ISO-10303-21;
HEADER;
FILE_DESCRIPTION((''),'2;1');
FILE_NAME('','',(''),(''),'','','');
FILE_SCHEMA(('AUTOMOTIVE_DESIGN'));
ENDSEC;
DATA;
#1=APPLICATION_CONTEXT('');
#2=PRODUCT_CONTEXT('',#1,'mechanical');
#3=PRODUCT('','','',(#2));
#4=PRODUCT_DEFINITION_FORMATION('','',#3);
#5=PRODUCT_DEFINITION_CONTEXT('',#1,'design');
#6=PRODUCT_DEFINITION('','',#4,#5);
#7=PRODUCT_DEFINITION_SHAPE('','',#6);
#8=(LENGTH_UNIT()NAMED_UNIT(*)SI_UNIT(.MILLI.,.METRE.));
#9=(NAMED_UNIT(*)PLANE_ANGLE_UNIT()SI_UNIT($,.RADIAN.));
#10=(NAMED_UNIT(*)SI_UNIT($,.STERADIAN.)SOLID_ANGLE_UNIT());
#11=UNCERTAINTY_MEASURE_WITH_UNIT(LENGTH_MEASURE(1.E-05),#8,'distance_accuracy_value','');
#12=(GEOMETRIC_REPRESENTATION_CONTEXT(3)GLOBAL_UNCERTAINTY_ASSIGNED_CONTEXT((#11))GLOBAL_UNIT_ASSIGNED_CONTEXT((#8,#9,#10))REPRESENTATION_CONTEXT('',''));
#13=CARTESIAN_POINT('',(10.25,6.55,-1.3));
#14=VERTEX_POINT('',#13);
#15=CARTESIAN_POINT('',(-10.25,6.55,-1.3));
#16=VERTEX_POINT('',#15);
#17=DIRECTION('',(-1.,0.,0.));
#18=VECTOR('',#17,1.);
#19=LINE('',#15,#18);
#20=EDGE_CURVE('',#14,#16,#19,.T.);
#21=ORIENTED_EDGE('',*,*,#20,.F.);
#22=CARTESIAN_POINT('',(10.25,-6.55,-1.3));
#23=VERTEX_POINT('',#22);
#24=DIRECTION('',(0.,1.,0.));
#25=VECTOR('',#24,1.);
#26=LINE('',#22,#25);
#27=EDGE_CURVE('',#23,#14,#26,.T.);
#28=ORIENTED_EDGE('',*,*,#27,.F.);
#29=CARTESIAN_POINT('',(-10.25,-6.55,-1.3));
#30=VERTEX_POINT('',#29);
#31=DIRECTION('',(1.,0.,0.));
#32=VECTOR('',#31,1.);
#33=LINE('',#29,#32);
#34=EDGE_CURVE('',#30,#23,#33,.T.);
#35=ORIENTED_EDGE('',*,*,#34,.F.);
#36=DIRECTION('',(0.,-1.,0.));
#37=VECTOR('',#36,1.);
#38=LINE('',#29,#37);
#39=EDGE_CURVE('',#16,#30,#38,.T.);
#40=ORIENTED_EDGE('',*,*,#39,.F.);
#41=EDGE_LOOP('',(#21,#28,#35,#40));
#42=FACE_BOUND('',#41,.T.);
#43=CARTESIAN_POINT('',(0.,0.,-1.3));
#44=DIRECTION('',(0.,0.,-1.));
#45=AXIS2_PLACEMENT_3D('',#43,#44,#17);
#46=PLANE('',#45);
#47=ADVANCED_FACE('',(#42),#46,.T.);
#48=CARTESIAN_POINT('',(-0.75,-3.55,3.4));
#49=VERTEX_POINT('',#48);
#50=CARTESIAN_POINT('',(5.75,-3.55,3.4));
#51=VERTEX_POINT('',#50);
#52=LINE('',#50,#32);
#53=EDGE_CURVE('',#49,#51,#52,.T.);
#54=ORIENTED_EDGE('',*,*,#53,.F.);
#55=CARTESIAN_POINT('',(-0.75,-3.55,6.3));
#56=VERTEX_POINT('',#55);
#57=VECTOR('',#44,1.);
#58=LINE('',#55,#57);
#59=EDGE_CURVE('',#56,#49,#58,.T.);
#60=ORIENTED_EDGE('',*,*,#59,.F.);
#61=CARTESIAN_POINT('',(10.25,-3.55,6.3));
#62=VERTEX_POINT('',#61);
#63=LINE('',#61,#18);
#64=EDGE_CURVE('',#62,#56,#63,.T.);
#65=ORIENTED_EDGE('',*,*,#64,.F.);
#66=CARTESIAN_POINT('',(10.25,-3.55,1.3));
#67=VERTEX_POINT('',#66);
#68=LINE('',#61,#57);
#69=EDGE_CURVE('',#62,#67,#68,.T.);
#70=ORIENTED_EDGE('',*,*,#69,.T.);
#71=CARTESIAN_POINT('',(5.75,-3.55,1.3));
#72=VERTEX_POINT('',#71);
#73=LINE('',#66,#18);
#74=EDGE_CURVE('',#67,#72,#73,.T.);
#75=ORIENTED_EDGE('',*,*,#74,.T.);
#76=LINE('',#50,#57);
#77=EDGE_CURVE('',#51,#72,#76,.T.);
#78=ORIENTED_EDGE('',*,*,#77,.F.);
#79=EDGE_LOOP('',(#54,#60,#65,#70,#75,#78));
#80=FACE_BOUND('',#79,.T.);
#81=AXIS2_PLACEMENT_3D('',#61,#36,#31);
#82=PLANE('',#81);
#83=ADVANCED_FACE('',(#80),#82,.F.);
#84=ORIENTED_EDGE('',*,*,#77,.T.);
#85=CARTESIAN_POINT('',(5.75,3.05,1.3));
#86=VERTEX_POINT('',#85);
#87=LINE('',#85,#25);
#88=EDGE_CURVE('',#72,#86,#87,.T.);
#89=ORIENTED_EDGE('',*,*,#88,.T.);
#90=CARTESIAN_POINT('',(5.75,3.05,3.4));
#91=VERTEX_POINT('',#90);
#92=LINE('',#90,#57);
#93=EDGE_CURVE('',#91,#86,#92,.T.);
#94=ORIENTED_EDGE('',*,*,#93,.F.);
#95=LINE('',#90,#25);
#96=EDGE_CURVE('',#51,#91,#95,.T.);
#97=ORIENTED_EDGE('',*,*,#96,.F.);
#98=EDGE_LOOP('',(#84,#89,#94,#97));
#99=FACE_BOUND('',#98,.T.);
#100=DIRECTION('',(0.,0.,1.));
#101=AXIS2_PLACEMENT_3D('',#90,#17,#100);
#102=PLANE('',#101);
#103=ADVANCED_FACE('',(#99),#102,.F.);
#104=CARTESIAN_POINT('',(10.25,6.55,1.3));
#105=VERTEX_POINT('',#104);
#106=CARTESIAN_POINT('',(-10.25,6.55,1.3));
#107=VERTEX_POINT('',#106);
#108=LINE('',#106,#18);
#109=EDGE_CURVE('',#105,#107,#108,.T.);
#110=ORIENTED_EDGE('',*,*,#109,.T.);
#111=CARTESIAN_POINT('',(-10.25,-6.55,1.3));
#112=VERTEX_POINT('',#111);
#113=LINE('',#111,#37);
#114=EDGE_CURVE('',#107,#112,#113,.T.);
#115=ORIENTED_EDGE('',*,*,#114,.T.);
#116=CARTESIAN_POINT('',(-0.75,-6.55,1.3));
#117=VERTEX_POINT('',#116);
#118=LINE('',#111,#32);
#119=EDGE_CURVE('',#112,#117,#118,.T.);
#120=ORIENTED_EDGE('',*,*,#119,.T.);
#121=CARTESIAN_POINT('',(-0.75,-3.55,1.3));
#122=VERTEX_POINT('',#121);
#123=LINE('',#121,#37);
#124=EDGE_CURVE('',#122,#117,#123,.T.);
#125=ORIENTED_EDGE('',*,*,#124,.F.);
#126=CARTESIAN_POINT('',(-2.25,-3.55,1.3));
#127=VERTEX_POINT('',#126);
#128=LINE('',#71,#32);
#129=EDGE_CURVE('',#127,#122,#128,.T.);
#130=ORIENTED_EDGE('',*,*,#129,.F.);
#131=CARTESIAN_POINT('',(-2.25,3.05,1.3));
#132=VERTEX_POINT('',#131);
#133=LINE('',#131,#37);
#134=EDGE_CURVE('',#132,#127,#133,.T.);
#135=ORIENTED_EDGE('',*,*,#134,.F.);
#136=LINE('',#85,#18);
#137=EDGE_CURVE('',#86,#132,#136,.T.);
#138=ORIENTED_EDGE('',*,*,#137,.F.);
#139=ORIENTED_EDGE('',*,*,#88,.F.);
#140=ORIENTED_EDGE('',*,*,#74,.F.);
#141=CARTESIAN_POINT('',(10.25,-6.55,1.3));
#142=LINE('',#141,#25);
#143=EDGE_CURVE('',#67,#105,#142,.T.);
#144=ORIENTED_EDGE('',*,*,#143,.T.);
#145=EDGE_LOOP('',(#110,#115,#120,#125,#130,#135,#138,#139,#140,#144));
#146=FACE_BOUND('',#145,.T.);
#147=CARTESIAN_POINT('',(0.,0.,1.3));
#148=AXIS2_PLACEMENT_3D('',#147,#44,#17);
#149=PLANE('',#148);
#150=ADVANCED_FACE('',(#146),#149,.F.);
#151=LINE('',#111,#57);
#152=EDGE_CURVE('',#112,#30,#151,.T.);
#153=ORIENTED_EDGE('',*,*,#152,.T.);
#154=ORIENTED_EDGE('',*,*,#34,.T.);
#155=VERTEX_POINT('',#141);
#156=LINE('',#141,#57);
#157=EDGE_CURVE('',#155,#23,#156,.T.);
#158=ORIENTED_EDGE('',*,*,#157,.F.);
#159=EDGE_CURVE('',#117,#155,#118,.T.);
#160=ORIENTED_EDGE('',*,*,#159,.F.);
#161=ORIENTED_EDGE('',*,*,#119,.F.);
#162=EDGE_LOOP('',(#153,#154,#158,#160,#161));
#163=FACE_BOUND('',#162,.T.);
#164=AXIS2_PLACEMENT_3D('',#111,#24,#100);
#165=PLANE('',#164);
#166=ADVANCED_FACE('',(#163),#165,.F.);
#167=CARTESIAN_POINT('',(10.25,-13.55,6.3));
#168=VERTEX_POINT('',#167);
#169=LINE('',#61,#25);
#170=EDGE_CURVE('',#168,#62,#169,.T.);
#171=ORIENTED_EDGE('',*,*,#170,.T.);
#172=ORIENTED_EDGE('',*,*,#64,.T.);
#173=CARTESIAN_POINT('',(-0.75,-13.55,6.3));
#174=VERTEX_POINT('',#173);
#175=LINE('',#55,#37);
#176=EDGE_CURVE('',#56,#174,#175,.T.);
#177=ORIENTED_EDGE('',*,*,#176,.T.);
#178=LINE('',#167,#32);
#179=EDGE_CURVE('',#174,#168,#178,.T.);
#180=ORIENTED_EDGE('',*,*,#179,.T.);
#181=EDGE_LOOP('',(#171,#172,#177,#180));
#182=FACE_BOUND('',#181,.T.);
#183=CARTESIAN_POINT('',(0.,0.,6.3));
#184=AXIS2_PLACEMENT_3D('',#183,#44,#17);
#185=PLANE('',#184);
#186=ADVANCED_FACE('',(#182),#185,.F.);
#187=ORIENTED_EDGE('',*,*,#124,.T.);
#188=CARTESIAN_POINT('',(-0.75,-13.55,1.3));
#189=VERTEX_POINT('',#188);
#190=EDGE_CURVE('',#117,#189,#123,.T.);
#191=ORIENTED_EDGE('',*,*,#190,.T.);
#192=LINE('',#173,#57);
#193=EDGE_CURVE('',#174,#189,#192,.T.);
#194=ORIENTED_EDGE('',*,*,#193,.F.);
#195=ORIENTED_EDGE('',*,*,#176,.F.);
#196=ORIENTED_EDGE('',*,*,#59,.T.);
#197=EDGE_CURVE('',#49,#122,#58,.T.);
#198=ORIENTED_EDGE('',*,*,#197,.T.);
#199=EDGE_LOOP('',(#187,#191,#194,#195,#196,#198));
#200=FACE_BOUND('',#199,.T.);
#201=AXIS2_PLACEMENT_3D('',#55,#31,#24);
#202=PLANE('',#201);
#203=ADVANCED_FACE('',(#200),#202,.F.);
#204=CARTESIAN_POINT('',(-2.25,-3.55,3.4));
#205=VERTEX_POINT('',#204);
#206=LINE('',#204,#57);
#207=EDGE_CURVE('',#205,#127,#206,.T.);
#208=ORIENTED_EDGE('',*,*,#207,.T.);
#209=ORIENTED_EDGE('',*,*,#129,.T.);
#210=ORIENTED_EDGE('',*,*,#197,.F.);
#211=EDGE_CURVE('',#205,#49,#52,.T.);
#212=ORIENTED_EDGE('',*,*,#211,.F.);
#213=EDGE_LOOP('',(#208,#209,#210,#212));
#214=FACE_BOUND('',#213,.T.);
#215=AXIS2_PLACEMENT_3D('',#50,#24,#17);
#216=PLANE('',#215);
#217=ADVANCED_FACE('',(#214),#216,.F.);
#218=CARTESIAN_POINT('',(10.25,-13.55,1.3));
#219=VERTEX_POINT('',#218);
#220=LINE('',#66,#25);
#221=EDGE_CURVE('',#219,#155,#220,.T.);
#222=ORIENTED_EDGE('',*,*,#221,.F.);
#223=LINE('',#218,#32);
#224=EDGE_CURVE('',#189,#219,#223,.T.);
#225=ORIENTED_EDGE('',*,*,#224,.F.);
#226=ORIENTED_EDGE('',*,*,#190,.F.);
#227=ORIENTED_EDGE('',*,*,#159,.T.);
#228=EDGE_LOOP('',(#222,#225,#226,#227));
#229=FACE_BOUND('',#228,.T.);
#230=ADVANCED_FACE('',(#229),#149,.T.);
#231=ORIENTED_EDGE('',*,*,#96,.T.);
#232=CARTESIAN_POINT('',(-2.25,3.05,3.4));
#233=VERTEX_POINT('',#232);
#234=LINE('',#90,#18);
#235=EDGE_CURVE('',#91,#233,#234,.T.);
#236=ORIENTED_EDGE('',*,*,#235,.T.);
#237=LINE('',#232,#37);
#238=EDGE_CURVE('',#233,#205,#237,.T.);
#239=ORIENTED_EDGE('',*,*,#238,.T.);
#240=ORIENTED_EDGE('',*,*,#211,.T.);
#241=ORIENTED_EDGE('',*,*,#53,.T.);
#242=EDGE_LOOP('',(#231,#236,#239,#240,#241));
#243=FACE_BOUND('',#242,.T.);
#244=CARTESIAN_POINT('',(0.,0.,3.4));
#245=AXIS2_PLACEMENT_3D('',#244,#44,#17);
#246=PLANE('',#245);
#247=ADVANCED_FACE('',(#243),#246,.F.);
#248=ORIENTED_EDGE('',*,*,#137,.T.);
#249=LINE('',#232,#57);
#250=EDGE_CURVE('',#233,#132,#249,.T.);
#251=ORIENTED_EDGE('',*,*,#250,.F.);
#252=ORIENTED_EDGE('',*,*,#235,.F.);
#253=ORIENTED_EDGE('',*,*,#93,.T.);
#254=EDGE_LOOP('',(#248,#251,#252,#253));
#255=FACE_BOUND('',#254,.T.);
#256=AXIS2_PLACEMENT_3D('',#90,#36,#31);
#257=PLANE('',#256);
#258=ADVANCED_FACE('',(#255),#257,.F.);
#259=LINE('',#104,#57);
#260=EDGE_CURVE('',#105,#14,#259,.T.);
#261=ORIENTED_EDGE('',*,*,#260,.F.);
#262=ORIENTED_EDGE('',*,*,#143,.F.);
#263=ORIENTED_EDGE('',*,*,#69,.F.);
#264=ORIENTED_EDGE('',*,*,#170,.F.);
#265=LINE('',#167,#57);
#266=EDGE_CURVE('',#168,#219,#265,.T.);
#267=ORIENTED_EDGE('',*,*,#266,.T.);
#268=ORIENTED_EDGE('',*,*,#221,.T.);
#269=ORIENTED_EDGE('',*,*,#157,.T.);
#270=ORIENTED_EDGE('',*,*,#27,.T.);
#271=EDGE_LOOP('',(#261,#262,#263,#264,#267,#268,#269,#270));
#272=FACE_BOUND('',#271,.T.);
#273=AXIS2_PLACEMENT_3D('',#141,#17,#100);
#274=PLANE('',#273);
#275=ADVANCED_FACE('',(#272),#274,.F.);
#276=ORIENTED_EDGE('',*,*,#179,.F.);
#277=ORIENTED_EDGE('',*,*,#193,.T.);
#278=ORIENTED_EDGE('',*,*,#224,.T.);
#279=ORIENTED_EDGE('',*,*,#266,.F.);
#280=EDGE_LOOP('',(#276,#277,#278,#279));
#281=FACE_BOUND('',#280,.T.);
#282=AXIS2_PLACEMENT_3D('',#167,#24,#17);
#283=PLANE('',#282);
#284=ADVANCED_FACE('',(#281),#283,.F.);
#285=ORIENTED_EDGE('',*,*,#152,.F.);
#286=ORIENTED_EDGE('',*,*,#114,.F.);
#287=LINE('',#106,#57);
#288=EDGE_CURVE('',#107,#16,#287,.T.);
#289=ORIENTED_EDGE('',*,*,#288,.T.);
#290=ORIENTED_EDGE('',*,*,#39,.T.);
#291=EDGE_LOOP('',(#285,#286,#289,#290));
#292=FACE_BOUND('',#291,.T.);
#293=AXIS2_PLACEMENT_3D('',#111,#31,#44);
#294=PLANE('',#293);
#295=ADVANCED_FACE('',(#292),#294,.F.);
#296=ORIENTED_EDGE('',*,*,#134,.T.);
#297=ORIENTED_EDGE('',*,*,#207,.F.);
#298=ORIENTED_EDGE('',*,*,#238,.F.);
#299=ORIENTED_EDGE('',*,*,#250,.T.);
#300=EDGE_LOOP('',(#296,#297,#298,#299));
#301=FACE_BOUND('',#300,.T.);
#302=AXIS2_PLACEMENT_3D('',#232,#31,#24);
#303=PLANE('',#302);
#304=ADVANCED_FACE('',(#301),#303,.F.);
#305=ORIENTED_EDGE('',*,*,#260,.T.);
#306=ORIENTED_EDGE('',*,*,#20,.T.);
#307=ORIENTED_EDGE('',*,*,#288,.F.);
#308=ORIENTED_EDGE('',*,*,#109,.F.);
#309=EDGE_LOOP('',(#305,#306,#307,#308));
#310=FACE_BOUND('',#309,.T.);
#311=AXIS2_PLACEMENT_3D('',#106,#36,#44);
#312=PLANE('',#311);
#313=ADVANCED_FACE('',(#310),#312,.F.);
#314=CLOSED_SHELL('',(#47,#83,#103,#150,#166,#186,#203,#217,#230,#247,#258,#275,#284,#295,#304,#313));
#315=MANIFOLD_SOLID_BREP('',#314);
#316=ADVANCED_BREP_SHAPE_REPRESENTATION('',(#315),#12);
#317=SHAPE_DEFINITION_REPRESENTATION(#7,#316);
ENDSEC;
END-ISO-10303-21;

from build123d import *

# Parameters (mm, degrees)
PLACAESBOCO_W      = 20.5
PLACAESBOCO_H      = 13.1
PLACA_DEPTH        = 1.3
CONECTORESBOCO_W   = 11
CONECTORESBOCO_H   = 10
CONECTOR_DEPTH     = 5
RESISTORESESBOCO_W = 8
RESISTORESESBOCO_H = 6.6
RESISTORES_DEPTH   = 2.1


with BuildPart() as part:
    # PlacaEsboco → Placa (new, symmetric)
    with BuildSketch(Plane.XY):
        Rectangle(PLACAESBOCO_W, PLACAESBOCO_H)
    extrude(amount=PLACA_DEPTH, both=True)

    # ConectorEsboco → Conector (add)
    with BuildSketch(Plane.XY.offset(1.3)):
        with Locations((4.75, -8.55)):
            Rectangle(CONECTORESBOCO_W, CONECTORESBOCO_H)
    extrude(amount=CONECTOR_DEPTH)

    # ResistoresEsboco → Resistores (add)
    with BuildSketch(Plane.XY.offset(1.3)):
        with Locations((1.75, -0.25)):
            Rectangle(RESISTORESESBOCO_W, RESISTORESESBOCO_H)
    extrude(amount=RESISTORES_DEPTH)


solid = part.part
